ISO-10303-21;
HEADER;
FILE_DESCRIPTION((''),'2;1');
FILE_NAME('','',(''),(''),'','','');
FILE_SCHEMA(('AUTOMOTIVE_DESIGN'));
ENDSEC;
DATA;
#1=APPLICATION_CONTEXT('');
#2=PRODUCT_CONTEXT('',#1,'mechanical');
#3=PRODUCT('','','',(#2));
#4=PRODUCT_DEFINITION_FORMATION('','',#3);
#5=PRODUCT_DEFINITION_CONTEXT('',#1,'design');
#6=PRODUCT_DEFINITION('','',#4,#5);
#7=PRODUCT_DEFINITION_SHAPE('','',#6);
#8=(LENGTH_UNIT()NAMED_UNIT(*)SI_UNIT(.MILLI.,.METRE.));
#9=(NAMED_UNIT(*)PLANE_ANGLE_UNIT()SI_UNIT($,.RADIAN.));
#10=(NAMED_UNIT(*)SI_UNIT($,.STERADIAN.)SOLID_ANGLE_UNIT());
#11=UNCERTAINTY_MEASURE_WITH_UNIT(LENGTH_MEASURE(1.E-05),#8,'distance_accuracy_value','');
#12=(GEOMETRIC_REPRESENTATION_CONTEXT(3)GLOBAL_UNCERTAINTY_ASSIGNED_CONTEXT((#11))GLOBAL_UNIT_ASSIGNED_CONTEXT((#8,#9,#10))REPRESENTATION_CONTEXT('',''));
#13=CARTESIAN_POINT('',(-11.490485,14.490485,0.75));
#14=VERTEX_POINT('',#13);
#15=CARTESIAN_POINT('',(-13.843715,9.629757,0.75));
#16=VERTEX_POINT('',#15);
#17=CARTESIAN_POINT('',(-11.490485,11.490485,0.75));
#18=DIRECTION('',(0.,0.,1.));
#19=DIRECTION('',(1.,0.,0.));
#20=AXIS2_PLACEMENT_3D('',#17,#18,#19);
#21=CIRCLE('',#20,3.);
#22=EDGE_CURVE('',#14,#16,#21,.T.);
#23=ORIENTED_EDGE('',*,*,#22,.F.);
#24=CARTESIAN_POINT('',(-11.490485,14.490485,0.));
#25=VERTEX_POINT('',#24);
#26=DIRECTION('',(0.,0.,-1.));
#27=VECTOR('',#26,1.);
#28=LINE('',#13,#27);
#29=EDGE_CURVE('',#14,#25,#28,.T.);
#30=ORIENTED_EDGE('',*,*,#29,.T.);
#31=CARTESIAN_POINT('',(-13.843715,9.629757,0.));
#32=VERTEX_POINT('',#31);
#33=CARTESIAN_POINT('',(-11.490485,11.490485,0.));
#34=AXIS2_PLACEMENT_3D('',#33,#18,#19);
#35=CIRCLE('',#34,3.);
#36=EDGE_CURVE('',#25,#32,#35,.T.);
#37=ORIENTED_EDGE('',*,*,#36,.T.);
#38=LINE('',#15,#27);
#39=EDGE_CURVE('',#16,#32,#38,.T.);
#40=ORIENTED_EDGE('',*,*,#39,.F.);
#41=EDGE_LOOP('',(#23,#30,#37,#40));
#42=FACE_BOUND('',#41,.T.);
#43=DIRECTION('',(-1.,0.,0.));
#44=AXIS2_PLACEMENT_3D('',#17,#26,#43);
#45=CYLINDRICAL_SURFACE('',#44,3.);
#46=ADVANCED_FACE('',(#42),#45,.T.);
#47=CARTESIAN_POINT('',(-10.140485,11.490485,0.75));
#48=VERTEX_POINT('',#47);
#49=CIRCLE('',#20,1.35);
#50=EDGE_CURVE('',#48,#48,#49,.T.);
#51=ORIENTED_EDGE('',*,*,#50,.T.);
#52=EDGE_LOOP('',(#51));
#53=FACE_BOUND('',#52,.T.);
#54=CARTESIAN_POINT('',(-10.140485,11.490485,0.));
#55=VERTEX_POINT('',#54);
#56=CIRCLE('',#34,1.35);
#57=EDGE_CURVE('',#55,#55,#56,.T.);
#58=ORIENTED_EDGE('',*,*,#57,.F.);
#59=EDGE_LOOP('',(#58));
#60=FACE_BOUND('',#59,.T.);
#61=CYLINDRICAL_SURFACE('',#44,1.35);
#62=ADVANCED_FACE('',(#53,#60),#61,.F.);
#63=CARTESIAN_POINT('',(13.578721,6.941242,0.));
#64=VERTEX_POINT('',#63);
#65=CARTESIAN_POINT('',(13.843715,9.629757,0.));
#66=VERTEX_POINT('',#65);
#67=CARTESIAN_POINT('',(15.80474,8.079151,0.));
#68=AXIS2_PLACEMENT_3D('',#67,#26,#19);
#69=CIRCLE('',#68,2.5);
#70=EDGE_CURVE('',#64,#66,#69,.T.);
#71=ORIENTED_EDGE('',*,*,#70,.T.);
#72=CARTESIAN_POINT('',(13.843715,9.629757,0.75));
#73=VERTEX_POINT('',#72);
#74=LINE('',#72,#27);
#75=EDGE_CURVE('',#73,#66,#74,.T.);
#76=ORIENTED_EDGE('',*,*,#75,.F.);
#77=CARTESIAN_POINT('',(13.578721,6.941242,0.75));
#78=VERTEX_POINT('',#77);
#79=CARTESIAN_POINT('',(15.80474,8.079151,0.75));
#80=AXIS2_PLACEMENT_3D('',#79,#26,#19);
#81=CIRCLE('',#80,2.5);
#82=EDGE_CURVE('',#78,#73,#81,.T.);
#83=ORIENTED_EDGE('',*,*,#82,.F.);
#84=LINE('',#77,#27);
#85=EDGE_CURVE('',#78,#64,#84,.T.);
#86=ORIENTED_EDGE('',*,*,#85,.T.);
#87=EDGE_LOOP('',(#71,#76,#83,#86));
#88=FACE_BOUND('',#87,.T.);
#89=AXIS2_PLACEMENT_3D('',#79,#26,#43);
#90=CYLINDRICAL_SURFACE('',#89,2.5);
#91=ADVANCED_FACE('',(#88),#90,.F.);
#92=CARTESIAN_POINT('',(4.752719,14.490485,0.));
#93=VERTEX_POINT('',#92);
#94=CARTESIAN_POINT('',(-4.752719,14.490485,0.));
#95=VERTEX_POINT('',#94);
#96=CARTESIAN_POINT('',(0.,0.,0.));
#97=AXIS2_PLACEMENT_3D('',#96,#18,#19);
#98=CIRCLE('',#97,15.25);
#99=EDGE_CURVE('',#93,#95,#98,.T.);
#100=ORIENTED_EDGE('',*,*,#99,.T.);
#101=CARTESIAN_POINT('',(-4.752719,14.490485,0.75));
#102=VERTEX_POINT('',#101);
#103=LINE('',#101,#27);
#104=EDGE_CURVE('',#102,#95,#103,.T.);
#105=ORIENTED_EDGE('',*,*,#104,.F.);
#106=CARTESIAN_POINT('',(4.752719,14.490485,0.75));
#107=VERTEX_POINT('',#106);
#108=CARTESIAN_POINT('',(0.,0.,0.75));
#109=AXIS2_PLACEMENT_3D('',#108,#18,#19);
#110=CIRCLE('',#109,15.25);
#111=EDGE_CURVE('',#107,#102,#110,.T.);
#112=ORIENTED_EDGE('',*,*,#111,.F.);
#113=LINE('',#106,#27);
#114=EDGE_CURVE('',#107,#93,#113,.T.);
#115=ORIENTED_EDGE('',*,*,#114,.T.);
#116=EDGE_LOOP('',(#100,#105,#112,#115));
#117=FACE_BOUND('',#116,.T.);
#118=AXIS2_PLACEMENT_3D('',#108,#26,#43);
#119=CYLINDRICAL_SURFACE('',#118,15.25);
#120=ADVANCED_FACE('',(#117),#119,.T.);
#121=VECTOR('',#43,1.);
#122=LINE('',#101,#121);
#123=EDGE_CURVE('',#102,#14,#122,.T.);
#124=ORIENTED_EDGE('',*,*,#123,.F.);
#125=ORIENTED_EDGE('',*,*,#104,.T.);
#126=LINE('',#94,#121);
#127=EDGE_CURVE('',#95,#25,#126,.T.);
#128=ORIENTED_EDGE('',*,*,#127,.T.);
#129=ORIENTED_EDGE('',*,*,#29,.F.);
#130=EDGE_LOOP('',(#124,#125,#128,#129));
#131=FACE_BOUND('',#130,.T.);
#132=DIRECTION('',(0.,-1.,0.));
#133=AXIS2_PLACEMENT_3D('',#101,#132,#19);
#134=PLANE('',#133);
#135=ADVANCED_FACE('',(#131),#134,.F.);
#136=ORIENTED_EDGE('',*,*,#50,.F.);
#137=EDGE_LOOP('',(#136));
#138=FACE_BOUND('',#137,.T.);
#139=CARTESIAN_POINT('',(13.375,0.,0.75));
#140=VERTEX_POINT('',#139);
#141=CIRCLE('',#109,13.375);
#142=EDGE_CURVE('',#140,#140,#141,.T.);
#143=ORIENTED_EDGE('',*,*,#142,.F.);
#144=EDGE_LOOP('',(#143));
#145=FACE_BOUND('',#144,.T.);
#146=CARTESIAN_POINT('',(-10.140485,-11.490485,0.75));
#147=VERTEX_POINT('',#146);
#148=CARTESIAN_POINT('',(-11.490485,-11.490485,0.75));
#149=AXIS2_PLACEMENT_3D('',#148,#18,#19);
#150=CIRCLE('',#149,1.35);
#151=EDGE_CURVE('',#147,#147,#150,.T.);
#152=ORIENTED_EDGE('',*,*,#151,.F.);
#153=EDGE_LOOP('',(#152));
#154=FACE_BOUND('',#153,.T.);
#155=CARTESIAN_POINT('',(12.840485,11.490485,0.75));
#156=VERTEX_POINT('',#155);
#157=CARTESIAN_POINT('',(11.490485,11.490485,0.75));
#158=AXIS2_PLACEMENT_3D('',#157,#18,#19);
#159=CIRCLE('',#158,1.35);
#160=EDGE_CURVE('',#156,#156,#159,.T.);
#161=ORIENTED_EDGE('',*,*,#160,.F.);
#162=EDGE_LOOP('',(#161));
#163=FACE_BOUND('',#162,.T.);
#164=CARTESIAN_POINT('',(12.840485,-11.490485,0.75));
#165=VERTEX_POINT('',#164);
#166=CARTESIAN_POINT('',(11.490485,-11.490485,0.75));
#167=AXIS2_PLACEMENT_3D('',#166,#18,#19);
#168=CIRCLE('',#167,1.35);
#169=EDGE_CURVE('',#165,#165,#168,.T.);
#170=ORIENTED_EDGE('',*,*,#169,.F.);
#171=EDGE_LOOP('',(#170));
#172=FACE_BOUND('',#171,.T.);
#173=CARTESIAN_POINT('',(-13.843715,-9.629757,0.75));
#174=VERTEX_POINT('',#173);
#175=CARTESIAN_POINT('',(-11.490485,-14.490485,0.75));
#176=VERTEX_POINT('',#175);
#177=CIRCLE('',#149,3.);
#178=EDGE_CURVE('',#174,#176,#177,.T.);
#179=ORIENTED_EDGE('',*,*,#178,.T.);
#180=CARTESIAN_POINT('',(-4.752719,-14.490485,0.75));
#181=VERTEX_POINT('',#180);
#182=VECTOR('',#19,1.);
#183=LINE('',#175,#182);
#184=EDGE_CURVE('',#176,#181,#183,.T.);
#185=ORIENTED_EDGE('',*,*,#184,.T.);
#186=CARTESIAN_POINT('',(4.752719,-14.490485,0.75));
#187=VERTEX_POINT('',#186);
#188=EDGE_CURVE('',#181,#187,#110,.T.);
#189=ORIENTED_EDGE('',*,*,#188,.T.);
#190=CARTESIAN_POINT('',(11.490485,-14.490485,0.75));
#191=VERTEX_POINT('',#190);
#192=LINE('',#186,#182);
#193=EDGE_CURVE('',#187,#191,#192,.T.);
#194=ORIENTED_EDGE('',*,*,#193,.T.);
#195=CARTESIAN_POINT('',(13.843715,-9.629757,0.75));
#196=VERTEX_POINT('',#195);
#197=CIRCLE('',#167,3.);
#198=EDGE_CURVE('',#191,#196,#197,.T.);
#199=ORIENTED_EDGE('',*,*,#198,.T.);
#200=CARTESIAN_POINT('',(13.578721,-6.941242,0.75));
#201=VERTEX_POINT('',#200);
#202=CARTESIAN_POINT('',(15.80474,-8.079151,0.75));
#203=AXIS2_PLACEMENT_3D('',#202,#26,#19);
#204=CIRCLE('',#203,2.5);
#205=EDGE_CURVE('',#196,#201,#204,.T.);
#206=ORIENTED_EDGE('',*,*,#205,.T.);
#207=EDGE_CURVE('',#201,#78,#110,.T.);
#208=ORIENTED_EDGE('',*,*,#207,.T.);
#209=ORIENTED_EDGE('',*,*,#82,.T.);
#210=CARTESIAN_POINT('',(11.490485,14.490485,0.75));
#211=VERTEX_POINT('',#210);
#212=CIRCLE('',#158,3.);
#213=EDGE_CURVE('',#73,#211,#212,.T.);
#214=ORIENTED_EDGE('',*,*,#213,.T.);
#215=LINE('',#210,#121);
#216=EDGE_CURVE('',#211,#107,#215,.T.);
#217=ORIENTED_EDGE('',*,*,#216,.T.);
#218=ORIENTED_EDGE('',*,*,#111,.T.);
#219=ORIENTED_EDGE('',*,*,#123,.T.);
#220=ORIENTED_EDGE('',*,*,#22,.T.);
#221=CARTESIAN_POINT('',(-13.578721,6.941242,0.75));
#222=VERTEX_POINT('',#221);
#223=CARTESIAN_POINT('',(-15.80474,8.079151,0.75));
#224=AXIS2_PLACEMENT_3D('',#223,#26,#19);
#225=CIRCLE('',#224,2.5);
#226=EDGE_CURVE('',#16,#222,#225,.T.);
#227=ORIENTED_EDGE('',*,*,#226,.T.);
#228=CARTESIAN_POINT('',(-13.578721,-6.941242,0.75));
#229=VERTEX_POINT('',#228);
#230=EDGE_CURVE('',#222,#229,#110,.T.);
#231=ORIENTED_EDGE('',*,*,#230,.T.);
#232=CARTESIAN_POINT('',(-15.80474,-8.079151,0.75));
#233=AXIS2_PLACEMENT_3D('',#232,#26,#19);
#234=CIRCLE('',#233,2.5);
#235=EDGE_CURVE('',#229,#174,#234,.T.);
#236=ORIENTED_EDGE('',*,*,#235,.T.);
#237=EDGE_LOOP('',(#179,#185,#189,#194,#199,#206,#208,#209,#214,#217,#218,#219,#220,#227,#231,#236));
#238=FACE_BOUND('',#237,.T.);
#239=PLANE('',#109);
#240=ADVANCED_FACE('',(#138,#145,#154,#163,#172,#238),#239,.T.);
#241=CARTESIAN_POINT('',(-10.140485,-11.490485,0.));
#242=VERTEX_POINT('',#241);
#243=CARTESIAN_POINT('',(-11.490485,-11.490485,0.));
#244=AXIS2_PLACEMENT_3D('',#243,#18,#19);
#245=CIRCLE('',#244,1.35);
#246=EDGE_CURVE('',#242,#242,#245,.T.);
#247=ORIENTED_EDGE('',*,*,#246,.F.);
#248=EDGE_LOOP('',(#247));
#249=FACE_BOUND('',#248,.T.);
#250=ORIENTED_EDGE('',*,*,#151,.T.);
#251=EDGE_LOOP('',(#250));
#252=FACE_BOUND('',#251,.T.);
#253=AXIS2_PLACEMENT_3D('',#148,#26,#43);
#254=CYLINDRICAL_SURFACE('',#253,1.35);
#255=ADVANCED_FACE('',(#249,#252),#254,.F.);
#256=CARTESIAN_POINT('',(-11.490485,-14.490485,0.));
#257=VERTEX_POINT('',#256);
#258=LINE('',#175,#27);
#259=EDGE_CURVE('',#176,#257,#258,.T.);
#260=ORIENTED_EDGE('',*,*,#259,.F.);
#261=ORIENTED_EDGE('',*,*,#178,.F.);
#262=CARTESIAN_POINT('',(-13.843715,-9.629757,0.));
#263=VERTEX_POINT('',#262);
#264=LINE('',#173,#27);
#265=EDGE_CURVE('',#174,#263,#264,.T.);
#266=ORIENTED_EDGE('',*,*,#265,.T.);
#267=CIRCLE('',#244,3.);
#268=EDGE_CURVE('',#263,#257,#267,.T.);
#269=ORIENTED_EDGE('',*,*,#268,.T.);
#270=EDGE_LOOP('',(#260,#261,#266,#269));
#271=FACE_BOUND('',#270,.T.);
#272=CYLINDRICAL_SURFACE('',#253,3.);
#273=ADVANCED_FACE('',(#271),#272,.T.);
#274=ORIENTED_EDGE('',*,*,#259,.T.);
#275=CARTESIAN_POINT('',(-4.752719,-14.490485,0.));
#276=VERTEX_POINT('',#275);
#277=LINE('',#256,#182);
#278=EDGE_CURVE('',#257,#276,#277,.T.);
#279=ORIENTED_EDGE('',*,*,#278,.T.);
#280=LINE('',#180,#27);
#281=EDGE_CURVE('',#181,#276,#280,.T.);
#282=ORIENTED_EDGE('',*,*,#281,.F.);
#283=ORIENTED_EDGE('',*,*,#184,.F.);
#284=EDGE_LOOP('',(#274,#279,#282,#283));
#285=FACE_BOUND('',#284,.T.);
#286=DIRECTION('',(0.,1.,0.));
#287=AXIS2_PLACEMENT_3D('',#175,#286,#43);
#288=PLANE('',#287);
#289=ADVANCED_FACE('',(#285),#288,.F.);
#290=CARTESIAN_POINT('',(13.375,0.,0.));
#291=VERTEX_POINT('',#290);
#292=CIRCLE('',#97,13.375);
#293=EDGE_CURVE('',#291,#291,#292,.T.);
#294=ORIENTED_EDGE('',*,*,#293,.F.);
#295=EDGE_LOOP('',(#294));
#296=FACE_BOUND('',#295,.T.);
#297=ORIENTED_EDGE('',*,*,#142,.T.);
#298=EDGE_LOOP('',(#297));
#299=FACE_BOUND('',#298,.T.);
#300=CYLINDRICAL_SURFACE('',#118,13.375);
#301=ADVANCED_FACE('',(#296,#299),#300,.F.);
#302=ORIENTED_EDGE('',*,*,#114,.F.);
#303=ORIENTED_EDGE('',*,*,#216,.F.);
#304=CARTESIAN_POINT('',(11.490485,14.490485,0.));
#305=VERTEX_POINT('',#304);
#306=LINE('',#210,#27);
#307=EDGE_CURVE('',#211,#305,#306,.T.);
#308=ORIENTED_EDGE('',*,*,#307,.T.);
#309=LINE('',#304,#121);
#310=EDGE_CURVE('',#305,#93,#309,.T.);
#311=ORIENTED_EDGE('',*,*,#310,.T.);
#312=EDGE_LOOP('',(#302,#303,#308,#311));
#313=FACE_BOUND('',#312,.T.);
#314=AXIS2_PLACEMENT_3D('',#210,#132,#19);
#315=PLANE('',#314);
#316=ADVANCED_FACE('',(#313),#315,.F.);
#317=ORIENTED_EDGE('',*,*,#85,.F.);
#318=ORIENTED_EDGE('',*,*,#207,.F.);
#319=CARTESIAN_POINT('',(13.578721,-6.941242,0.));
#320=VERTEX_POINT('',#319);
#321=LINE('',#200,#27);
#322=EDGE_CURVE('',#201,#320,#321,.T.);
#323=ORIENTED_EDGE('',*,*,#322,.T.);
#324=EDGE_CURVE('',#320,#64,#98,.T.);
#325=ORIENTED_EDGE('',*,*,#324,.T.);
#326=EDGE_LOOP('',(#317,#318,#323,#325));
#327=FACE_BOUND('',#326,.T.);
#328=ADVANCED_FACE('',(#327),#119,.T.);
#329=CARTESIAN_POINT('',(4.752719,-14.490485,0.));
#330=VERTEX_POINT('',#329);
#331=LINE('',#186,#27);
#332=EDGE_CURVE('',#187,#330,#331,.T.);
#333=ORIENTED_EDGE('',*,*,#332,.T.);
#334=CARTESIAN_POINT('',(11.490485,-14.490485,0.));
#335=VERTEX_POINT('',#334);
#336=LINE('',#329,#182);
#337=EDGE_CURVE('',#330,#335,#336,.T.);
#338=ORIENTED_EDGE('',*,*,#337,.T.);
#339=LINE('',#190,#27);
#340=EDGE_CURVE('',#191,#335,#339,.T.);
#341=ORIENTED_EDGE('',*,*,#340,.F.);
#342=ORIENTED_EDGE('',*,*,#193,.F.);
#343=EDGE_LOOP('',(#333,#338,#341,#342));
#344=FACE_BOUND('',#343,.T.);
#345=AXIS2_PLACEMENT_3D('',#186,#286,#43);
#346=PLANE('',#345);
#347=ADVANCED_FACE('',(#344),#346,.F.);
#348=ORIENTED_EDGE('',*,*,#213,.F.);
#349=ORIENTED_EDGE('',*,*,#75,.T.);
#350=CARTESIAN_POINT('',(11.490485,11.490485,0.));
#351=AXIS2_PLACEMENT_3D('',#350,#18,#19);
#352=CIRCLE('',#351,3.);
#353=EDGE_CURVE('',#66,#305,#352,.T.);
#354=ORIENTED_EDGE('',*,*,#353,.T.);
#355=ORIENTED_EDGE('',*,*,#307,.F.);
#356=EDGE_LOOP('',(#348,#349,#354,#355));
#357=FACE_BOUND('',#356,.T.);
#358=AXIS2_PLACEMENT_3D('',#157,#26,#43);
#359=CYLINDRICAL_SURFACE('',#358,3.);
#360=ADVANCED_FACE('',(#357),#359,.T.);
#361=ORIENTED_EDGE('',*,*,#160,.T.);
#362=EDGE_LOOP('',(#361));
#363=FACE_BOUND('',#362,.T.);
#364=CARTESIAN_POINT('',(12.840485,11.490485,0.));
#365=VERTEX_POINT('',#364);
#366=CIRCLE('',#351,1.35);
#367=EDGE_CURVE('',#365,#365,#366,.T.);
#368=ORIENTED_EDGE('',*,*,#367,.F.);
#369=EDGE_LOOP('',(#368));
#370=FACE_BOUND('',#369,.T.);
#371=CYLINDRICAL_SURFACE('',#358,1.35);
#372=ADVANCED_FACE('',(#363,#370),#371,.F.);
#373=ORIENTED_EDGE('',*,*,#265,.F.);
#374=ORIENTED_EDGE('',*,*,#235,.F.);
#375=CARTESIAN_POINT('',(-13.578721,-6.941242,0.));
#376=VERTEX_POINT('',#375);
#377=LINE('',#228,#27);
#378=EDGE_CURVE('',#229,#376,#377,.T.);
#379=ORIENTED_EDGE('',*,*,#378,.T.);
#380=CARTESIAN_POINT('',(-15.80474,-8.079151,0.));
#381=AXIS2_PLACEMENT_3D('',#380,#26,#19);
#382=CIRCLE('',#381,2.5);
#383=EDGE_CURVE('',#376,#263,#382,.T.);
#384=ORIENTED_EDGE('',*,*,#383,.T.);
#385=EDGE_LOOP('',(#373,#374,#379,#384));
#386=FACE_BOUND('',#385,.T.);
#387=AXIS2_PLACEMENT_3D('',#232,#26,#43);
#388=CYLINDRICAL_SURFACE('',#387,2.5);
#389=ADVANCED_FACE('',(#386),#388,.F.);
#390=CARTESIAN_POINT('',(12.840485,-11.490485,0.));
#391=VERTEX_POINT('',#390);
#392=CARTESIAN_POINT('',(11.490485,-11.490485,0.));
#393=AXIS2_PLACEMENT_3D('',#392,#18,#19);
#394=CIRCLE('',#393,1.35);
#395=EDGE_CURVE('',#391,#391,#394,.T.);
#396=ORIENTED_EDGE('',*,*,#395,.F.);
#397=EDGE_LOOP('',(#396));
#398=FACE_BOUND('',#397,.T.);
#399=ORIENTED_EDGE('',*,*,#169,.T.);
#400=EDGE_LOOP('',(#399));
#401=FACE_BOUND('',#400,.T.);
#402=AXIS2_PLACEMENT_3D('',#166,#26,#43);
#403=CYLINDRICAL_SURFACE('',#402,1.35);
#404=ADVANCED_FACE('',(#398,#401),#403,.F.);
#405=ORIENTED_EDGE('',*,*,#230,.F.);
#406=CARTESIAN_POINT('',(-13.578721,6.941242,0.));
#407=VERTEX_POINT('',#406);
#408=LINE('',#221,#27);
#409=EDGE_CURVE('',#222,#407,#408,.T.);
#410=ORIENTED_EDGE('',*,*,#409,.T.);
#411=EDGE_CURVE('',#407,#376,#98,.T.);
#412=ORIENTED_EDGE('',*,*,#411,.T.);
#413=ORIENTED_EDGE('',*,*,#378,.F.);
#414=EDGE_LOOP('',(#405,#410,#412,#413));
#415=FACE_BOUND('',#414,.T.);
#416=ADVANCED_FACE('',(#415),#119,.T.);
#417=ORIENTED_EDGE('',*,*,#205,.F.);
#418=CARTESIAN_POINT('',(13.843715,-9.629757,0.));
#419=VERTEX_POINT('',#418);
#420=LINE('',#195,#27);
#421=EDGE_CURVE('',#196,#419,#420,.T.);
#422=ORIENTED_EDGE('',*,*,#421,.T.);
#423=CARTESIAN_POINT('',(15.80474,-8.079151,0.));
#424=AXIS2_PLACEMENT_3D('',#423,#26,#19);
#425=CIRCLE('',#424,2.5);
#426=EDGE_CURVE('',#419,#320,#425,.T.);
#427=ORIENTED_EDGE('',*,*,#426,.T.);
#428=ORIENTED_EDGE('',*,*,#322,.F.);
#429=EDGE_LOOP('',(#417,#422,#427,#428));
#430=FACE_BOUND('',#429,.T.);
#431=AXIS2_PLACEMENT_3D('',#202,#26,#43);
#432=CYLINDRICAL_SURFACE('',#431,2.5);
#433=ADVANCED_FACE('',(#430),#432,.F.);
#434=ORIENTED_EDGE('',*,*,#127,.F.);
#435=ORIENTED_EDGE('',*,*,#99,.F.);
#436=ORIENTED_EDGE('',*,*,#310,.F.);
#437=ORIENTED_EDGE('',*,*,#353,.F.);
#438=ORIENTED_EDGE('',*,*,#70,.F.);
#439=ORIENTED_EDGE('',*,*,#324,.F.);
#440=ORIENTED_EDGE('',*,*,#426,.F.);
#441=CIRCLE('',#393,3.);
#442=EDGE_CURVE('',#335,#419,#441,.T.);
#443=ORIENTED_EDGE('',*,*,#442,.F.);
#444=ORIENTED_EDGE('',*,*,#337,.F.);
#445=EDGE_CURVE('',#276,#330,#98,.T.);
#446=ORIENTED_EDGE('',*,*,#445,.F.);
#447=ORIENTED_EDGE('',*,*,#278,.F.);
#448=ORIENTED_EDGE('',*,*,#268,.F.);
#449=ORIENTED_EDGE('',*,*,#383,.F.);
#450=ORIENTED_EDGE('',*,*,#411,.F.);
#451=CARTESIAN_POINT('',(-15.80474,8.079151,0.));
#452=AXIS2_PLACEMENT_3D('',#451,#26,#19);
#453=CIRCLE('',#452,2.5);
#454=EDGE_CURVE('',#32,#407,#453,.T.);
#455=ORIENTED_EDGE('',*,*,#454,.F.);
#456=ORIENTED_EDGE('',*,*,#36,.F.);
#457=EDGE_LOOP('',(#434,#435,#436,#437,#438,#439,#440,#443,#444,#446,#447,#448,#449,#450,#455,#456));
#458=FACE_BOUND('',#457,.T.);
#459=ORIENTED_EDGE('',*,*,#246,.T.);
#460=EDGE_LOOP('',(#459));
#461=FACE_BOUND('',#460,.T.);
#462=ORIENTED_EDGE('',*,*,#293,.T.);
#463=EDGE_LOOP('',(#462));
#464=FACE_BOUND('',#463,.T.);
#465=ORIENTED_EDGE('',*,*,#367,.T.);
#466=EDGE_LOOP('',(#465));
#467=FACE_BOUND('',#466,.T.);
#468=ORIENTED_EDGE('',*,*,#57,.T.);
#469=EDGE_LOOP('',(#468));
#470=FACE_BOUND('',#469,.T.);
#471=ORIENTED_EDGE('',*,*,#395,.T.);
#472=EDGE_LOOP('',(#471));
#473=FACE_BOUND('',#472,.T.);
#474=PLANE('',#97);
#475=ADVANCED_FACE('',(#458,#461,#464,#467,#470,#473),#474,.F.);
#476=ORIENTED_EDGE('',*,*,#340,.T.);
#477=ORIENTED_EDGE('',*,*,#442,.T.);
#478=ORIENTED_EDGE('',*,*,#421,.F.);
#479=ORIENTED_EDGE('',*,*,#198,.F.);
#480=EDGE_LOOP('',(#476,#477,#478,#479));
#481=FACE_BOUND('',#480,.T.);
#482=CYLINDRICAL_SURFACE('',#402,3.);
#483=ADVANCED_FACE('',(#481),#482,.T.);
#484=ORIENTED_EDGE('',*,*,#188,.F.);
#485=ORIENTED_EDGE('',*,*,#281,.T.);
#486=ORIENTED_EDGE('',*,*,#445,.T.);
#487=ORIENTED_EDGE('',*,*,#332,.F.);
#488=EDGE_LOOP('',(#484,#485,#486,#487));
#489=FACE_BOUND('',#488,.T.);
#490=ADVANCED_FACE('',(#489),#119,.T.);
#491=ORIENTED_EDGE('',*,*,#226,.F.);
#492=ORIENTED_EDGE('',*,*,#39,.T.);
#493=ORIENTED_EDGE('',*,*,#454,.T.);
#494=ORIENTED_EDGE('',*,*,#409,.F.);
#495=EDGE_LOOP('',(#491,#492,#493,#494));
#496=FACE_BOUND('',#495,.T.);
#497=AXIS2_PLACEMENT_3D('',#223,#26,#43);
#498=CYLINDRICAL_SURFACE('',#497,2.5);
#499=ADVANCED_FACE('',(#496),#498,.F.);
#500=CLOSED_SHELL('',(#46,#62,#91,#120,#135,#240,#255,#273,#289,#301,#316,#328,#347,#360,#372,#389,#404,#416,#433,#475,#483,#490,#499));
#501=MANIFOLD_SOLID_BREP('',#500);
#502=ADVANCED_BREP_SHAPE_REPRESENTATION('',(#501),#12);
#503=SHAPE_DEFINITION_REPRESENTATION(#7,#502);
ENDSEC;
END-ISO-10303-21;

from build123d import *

# Parameters (mm, degrees)
ESQUISSE1_R          = 13.375
ESQUISSE1_R_2        = 1.35
BASE_EXTRUSION_DEPTH = 0.75


with BuildPart() as part:
    # Esquisse1 → Base-Extrusion (new body)
    with BuildSketch(Plane.XY):
        with BuildLine():
            Line((-4.752719099, 14.490485194), (-11.490485194, 14.490485194))
            ThreePointArc((-11.490485194, 14.490485194), (-14.190687351, 12.797737393), (-13.843715332, 9.629757402))
            ThreePointArc((-13.843715332, 9.629757402), (-13.316796605, 8.324376183), (-13.578720666, 6.941242329))
            ThreePointArc((-13.578720666, 6.941242329), (-14.258481428, 5.409085631), (-14.765986011, 3.811581971))
            ThreePointArc((-14.765986011, 3.811581971), (-14.96384856, 2.940363289), (-15.110354082, 2.059053064))
            ThreePointArc((-15.110354082, 2.059053064), (-15.215048468, 1.031891528), (-15.25, 0))
            ThreePointArc((-15.25, 0), (-14.826294044, -3.569804606), (-13.578720666, -6.941242329))
            ThreePointArc((-13.578720666, -6.941242329), (-13.316796605, -8.324376183), (-13.843715332, -9.629757402))
            ThreePointArc((-13.843715332, -9.629757402), (-14.190687351, -12.797737393), (-11.490485194, -14.490485194))
            Line((-11.490485194, -14.490485194), (-4.752719099, -14.490485194))
            ThreePointArc((-4.752719099, -14.490485194), (0, -15.25), (4.752719099, -14.490485194))
            Line((4.752719099, -14.490485194), (11.490485194, -14.490485194))
            ThreePointArc((11.490485194, -14.490485194), (14.190687351, -12.797737393), (13.843715332, -9.629757402))
            ThreePointArc((13.843715332, -9.629757402), (13.316796605, -8.324376183), (13.578720666, -6.941242329))
            ThreePointArc((13.578720666, -6.941242329), (15.25, 0), (13.578720666, 6.941242329))
            ThreePointArc((13.578720666, 6.941242329), (13.316796605, 8.324376183), (13.843715332, 9.629757402))
            ThreePointArc((13.843715332, 9.629757402), (14.190687351, 12.797737393), (11.490485194, 14.490485194))
            Line((11.490485194, 14.490485194), (4.752719099, 14.490485194))
            ThreePointArc((4.752719099, 14.490485194), (2.406512081, 15.058924251), (0, 15.25))
            ThreePointArc((0, 15.25), (-2.406512081, 15.058924251), (-4.752719099, 14.490485194))
        make_face()
        Circle(ESQUISSE1_R, mode=Mode.SUBTRACT)
        with Locations((-11.490485194, -11.490485194)):
            Circle(ESQUISSE1_R_2, mode=Mode.SUBTRACT)
        with Locations((-11.490485194, 11.490485194)):
            Circle(ESQUISSE1_R_2, mode=Mode.SUBTRACT)
        with Locations((11.490485194, 11.490485194)):
            Circle(ESQUISSE1_R_2, mode=Mode.SUBTRACT)
        with Locations((11.490485194, -11.490485194)):
            Circle(ESQUISSE1_R_2, mode=Mode.SUBTRACT)
    extrude(amount=BASE_EXTRUSION_DEPTH)


solid = part.part
